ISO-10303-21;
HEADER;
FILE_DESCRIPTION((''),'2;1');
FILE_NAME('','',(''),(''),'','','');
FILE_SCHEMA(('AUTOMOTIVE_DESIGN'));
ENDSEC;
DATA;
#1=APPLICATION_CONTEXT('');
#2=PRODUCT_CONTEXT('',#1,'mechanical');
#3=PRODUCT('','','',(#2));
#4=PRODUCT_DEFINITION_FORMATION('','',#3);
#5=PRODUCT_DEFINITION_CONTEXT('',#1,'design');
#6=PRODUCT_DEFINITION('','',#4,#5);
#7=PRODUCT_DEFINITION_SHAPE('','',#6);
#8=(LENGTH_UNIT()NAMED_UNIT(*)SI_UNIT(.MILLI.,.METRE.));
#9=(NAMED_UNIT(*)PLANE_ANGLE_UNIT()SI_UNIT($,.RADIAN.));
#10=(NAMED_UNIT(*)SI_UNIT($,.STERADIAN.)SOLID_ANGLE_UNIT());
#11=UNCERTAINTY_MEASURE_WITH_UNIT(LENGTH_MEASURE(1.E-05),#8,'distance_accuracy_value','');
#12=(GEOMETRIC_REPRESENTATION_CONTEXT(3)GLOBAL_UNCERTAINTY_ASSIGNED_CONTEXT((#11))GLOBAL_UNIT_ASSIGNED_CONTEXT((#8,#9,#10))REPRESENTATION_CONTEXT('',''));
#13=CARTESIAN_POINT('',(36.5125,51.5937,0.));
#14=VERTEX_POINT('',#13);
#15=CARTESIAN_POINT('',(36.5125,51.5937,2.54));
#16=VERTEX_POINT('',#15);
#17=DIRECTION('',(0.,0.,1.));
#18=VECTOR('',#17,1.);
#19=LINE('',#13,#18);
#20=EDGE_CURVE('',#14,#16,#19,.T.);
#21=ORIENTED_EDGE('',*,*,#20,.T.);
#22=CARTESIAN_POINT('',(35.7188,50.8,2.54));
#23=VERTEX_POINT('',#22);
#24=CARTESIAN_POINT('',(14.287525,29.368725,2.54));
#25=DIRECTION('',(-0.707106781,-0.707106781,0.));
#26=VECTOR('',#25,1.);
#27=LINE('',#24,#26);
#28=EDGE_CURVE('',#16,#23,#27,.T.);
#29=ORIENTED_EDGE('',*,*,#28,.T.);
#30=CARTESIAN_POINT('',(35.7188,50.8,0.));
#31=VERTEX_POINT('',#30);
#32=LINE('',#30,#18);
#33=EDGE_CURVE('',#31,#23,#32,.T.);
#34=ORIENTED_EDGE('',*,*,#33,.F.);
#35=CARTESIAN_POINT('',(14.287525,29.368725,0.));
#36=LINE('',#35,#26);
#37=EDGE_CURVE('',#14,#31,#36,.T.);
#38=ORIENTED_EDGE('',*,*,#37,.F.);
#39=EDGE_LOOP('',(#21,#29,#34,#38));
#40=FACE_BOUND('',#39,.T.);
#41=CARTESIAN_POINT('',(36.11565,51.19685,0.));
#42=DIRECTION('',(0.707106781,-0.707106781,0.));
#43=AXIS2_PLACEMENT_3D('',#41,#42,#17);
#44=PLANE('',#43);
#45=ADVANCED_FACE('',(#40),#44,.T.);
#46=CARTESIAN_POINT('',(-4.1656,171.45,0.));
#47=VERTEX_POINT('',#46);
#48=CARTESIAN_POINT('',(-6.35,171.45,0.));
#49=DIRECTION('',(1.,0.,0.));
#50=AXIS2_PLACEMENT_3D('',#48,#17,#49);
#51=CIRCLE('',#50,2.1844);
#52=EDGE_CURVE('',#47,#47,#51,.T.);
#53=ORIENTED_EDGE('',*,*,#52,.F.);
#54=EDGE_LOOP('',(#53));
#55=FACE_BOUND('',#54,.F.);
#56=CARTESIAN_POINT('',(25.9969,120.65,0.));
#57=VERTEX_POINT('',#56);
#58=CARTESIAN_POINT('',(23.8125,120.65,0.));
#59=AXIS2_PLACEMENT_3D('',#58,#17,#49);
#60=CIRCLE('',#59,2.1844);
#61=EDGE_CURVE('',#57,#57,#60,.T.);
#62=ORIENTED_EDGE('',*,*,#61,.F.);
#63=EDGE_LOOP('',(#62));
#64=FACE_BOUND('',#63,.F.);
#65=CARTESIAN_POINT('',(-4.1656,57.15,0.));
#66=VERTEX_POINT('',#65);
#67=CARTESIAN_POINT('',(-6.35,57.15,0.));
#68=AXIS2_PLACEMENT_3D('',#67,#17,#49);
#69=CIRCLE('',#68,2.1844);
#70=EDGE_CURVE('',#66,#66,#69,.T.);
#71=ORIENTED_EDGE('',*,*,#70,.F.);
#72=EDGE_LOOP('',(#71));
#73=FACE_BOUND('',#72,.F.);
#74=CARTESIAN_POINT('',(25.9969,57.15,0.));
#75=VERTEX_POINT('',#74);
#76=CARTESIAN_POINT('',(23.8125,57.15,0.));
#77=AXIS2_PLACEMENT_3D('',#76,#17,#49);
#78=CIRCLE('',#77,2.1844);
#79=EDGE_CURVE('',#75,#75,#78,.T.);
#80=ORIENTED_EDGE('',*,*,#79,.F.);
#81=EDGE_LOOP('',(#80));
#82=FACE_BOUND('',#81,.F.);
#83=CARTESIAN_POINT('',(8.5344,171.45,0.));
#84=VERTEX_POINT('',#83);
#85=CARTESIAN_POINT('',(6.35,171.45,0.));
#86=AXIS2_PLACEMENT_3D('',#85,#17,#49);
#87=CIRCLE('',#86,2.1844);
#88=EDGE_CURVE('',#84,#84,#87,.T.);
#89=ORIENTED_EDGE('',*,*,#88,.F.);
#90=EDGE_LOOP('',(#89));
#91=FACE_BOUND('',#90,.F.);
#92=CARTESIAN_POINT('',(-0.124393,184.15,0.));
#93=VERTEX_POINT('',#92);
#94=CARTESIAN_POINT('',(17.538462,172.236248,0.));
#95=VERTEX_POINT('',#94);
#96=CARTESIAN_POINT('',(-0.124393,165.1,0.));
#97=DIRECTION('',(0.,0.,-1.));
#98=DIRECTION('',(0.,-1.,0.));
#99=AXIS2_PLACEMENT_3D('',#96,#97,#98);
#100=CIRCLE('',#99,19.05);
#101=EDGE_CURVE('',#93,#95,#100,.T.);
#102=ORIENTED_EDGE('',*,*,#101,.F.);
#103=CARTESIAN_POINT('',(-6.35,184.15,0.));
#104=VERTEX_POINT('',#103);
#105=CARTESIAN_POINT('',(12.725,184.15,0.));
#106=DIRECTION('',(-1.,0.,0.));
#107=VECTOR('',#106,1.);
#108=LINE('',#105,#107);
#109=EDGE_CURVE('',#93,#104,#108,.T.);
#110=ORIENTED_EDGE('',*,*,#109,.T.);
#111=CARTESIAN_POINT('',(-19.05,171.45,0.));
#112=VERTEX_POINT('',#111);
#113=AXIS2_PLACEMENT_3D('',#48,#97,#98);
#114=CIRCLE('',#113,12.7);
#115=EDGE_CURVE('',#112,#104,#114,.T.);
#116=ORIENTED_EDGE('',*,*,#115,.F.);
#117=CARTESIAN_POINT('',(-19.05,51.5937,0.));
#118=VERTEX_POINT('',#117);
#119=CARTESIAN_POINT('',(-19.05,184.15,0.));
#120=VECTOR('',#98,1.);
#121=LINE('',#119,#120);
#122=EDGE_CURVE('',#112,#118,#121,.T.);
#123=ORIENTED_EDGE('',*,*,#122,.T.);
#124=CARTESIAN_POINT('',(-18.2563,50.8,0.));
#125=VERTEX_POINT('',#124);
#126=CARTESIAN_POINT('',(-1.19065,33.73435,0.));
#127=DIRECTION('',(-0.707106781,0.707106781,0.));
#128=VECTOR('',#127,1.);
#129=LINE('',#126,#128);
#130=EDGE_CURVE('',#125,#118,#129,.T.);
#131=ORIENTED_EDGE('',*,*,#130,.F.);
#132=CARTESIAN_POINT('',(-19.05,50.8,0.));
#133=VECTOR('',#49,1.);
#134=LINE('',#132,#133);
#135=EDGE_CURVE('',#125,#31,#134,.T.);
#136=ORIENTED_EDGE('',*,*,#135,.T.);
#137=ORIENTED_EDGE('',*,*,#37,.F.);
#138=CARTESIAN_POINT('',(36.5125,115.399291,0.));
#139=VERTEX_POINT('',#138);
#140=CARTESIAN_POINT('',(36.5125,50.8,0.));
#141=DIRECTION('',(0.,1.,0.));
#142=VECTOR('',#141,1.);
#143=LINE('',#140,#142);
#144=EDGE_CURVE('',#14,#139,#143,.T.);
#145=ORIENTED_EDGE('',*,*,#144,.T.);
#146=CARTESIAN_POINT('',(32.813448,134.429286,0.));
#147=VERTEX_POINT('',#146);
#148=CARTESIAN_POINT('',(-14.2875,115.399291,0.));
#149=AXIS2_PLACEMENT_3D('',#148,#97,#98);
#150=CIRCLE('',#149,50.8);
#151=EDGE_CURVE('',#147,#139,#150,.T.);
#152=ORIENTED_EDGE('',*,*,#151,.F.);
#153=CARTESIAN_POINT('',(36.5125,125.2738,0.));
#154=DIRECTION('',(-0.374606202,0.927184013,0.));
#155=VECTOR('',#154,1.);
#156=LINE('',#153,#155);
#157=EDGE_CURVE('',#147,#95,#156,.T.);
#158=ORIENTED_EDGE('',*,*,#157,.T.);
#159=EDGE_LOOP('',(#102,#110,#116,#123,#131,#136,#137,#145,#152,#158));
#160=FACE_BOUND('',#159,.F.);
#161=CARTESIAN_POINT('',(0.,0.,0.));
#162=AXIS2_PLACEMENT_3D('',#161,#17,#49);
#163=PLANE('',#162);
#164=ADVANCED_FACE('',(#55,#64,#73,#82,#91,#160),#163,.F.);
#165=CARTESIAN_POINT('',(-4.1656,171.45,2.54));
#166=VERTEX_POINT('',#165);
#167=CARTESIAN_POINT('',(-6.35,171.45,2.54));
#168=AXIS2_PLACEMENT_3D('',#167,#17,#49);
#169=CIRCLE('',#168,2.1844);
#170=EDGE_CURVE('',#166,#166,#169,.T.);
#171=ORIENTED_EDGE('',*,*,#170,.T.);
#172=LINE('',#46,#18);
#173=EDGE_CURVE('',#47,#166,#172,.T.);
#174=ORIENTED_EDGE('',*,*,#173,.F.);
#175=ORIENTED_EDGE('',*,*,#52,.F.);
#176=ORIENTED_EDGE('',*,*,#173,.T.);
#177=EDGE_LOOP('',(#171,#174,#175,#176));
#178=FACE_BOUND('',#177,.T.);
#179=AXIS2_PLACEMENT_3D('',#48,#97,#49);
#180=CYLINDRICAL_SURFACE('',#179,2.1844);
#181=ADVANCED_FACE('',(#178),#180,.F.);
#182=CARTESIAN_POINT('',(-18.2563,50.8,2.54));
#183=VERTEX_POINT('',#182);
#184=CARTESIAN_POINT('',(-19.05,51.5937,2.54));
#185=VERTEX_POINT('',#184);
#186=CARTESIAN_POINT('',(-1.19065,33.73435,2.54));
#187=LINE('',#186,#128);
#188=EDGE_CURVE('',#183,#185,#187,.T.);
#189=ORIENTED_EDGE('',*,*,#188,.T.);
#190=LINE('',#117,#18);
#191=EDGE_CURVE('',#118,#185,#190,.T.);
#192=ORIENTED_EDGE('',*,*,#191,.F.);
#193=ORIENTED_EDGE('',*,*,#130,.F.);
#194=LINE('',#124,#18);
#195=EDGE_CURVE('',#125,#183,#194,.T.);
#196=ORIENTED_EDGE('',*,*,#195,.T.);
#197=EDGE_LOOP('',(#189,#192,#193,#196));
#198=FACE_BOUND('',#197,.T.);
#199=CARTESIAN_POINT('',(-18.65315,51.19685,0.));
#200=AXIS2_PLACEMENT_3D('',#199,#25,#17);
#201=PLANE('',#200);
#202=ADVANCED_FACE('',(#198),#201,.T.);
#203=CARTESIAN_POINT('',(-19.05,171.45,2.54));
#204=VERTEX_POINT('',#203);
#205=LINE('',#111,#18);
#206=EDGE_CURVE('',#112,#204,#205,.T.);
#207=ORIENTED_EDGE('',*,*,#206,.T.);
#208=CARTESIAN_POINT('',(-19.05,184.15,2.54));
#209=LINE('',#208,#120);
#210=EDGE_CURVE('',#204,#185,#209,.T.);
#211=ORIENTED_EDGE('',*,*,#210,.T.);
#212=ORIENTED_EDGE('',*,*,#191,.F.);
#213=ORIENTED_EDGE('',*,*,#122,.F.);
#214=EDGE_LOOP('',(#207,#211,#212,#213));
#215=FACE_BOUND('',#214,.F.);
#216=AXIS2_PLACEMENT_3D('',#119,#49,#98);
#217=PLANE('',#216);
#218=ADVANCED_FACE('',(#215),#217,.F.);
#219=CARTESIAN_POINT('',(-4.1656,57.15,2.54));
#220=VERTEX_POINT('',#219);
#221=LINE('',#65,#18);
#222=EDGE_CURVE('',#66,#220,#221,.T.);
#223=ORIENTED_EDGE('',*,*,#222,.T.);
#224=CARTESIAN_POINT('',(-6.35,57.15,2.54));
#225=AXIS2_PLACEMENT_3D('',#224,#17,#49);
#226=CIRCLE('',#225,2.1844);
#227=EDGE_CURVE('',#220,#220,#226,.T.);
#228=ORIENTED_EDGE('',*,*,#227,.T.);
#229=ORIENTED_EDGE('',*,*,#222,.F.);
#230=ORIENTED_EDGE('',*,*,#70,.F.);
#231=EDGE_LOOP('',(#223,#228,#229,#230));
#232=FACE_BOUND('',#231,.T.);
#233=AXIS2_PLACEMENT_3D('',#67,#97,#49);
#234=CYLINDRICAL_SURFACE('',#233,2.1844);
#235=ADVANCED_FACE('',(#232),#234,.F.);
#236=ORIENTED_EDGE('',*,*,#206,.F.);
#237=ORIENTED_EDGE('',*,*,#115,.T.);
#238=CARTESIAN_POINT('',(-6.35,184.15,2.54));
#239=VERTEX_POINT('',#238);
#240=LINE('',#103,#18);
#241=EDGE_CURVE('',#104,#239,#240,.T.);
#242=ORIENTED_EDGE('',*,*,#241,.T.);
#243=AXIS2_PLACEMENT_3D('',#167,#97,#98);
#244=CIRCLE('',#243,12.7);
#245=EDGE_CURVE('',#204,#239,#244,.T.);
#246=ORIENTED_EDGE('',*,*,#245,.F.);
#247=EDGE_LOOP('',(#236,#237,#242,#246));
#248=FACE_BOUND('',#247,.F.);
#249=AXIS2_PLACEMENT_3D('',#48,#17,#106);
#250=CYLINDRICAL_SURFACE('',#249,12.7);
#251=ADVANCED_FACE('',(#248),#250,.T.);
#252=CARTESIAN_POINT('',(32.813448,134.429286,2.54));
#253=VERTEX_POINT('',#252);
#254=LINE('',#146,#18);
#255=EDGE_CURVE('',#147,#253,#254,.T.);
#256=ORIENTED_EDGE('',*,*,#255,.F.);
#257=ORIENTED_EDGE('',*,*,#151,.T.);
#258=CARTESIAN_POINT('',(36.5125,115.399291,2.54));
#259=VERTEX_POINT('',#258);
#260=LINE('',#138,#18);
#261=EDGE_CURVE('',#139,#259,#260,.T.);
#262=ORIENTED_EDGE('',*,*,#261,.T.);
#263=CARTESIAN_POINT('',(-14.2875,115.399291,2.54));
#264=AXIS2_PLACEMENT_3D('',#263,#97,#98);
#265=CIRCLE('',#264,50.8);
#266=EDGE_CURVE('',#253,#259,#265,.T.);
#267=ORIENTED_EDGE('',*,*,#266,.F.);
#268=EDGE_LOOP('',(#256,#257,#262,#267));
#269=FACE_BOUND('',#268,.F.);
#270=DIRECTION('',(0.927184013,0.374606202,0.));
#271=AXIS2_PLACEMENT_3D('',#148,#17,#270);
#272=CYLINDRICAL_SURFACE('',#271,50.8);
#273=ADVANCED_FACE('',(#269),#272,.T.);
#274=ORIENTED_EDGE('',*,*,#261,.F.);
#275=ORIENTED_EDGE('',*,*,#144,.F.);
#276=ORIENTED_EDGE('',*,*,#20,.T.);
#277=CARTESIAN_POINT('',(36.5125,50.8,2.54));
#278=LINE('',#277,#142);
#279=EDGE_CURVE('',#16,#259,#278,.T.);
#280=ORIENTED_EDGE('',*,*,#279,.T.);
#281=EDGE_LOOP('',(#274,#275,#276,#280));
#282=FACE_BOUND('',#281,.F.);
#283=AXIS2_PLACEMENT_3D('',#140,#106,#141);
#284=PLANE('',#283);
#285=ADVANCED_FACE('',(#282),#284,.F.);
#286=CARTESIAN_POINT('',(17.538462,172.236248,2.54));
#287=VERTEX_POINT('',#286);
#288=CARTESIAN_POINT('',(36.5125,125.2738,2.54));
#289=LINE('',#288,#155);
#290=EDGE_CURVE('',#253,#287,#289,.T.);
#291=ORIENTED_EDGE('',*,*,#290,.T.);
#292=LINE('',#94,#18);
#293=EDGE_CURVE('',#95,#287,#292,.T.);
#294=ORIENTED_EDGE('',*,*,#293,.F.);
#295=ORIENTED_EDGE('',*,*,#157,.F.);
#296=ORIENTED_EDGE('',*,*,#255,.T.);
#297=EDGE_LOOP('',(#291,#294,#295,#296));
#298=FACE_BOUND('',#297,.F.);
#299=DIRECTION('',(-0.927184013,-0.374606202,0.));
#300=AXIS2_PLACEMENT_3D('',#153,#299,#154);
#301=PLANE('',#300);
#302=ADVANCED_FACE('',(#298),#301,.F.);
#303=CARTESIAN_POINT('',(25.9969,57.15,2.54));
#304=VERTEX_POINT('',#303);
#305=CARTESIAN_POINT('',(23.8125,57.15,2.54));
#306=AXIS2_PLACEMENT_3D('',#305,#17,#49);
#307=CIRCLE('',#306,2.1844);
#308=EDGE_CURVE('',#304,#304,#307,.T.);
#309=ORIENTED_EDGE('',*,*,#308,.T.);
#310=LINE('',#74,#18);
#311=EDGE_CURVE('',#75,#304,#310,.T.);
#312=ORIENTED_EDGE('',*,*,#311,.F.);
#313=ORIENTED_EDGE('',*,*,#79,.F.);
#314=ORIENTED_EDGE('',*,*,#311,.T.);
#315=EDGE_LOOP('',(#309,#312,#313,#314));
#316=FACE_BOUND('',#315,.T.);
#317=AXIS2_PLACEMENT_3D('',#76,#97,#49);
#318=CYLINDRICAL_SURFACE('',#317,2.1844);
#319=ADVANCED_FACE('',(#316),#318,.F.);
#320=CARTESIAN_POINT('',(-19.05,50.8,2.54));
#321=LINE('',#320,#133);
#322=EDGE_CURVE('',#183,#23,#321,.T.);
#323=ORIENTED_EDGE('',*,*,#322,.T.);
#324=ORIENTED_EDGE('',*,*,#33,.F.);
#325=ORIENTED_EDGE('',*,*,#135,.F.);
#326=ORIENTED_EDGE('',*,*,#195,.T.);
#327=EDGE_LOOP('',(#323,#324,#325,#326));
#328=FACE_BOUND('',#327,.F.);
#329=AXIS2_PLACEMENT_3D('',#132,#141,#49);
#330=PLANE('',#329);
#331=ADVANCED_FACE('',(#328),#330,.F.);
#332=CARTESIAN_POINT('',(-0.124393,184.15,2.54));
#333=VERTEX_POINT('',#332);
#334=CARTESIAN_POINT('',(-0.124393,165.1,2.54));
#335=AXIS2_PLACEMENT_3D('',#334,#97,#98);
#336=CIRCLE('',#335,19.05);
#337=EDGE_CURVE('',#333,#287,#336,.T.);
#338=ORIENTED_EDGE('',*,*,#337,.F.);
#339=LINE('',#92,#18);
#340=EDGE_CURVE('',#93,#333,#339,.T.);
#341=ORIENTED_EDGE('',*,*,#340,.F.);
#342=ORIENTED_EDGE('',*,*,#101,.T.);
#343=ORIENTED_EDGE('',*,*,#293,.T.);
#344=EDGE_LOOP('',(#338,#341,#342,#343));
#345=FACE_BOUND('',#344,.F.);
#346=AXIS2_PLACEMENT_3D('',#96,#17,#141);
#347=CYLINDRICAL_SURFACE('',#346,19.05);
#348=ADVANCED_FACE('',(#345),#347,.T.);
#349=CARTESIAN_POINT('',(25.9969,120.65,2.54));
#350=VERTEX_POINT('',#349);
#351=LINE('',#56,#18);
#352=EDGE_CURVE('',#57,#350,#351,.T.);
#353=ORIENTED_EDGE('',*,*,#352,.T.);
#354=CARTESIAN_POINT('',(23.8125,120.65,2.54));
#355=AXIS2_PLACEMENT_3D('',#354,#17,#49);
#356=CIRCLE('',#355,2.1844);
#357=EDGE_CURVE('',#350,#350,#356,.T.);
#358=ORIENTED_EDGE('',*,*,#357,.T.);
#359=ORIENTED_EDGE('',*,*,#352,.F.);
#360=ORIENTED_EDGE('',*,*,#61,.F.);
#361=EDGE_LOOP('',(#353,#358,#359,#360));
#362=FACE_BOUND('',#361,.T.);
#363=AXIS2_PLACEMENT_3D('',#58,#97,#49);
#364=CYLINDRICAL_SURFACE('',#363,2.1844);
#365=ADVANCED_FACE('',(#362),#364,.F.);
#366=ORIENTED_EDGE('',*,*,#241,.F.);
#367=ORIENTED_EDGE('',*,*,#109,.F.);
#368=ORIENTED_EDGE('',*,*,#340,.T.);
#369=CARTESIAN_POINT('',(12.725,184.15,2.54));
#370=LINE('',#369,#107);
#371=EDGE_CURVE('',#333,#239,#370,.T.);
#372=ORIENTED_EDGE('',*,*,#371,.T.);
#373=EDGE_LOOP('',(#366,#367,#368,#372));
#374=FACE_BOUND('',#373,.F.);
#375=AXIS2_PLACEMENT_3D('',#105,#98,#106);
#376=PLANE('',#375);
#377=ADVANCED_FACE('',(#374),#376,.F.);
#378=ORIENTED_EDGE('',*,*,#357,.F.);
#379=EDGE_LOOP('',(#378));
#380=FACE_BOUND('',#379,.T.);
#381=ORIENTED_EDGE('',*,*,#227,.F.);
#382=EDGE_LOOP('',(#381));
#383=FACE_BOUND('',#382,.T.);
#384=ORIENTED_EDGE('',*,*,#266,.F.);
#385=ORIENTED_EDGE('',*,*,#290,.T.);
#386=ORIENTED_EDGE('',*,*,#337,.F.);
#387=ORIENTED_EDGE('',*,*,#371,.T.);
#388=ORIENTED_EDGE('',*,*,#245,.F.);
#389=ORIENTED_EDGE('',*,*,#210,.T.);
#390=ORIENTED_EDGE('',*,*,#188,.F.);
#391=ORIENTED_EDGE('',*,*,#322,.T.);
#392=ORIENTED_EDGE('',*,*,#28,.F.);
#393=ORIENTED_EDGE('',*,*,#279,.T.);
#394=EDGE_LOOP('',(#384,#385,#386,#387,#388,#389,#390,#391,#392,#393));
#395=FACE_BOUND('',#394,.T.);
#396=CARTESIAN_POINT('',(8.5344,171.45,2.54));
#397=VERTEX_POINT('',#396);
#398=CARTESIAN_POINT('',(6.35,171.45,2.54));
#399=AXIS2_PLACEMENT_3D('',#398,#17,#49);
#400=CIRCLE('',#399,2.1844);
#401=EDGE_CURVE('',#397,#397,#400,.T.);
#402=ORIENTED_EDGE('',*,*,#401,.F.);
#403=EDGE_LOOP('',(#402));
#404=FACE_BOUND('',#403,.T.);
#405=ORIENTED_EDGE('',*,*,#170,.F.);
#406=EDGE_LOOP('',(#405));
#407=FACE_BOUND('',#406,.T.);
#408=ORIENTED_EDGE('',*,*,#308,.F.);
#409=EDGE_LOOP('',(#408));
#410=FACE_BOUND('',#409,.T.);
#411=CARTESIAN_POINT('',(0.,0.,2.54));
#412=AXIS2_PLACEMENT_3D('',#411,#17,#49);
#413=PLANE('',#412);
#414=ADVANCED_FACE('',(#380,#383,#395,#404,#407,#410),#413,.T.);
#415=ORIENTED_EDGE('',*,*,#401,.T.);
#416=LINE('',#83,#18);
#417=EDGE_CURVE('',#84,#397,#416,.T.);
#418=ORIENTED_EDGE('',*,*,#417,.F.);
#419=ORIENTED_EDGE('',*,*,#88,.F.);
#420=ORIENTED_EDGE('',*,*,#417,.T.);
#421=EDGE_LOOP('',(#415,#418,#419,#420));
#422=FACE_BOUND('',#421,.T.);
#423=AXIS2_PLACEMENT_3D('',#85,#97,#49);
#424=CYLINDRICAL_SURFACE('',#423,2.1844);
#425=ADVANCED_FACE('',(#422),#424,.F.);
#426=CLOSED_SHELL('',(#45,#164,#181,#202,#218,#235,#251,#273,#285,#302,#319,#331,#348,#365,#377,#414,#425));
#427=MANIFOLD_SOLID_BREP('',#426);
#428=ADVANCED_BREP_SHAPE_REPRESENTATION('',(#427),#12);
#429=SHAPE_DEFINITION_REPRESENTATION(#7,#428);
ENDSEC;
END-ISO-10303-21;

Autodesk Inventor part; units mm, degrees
ref_plane "YZ Plane" through (0, 0, 0) normal (1, 0, 0) x (0, 1, 0)
ref_plane "XZ Plane" through (0, 0, 0) normal (0, 1, 0) x (-1, 0, 0)
ref_plane "XY Plane" through (0, 0, 0) normal (0, 0, 1) x (1, 0, 0)
sketch "Sketch1" plane through (0, 0, 0) normal (0, 0, 1) x (1, 0, 0)
  circle A0 centre (-6.35, 171.45) radius 2.1844 projected
  circle A1 centre (6.35, 171.45) radius 2.1844 projected
  circle A2 centre (23.8125, 120.65) radius 2.1844 projected
  circle A3 centre (23.8125, 57.15) radius 2.1844 projected
  circle A4 centre (-6.35, 57.15) radius 2.1844 projected
  line L0 (-19.05, 50.8) -> (36.5125, 50.8)
  line L1 (36.5125, 50.8) -> (36.5125, 125.2738)
  line L2 (36.5125, 125.2738) -> (12.725, 184.15)
  line L3 (12.725, 184.15) -> (-19.05, 184.15)
  line L4 (-19.05, 184.15) -> (-19.05, 50.8)
  point P0 (0, 0)
  dimension "d0" = 12.7
  dimension "d2" = 12.7
  dimension "d3" = 6.35
  dimension "d4" = 12.7
  dimension "d5" = 63.5
  dimension "d6" = 112
extrude "Extrusion1" add sketch "Sketch1" along normal blind 2.54
fillet "Fillet1" radius 12.7 1 edges at (-19.05, 184.15, 1.27)
fillet "Fillet2" radius 19.05 1 edges at (12.725, 184.15, 1.27)
fillet "Fillet3" radius 50.8 1 edges at (36.5125, 125.2738, 1.27)
chamfer "Chamfer1" distance 0.7937 angle 45 2 edges at (36.5125, 50.8, 1.27) (-19.05, 50.8, 1.27)
properties part number "funnelFront" material "white pla"
